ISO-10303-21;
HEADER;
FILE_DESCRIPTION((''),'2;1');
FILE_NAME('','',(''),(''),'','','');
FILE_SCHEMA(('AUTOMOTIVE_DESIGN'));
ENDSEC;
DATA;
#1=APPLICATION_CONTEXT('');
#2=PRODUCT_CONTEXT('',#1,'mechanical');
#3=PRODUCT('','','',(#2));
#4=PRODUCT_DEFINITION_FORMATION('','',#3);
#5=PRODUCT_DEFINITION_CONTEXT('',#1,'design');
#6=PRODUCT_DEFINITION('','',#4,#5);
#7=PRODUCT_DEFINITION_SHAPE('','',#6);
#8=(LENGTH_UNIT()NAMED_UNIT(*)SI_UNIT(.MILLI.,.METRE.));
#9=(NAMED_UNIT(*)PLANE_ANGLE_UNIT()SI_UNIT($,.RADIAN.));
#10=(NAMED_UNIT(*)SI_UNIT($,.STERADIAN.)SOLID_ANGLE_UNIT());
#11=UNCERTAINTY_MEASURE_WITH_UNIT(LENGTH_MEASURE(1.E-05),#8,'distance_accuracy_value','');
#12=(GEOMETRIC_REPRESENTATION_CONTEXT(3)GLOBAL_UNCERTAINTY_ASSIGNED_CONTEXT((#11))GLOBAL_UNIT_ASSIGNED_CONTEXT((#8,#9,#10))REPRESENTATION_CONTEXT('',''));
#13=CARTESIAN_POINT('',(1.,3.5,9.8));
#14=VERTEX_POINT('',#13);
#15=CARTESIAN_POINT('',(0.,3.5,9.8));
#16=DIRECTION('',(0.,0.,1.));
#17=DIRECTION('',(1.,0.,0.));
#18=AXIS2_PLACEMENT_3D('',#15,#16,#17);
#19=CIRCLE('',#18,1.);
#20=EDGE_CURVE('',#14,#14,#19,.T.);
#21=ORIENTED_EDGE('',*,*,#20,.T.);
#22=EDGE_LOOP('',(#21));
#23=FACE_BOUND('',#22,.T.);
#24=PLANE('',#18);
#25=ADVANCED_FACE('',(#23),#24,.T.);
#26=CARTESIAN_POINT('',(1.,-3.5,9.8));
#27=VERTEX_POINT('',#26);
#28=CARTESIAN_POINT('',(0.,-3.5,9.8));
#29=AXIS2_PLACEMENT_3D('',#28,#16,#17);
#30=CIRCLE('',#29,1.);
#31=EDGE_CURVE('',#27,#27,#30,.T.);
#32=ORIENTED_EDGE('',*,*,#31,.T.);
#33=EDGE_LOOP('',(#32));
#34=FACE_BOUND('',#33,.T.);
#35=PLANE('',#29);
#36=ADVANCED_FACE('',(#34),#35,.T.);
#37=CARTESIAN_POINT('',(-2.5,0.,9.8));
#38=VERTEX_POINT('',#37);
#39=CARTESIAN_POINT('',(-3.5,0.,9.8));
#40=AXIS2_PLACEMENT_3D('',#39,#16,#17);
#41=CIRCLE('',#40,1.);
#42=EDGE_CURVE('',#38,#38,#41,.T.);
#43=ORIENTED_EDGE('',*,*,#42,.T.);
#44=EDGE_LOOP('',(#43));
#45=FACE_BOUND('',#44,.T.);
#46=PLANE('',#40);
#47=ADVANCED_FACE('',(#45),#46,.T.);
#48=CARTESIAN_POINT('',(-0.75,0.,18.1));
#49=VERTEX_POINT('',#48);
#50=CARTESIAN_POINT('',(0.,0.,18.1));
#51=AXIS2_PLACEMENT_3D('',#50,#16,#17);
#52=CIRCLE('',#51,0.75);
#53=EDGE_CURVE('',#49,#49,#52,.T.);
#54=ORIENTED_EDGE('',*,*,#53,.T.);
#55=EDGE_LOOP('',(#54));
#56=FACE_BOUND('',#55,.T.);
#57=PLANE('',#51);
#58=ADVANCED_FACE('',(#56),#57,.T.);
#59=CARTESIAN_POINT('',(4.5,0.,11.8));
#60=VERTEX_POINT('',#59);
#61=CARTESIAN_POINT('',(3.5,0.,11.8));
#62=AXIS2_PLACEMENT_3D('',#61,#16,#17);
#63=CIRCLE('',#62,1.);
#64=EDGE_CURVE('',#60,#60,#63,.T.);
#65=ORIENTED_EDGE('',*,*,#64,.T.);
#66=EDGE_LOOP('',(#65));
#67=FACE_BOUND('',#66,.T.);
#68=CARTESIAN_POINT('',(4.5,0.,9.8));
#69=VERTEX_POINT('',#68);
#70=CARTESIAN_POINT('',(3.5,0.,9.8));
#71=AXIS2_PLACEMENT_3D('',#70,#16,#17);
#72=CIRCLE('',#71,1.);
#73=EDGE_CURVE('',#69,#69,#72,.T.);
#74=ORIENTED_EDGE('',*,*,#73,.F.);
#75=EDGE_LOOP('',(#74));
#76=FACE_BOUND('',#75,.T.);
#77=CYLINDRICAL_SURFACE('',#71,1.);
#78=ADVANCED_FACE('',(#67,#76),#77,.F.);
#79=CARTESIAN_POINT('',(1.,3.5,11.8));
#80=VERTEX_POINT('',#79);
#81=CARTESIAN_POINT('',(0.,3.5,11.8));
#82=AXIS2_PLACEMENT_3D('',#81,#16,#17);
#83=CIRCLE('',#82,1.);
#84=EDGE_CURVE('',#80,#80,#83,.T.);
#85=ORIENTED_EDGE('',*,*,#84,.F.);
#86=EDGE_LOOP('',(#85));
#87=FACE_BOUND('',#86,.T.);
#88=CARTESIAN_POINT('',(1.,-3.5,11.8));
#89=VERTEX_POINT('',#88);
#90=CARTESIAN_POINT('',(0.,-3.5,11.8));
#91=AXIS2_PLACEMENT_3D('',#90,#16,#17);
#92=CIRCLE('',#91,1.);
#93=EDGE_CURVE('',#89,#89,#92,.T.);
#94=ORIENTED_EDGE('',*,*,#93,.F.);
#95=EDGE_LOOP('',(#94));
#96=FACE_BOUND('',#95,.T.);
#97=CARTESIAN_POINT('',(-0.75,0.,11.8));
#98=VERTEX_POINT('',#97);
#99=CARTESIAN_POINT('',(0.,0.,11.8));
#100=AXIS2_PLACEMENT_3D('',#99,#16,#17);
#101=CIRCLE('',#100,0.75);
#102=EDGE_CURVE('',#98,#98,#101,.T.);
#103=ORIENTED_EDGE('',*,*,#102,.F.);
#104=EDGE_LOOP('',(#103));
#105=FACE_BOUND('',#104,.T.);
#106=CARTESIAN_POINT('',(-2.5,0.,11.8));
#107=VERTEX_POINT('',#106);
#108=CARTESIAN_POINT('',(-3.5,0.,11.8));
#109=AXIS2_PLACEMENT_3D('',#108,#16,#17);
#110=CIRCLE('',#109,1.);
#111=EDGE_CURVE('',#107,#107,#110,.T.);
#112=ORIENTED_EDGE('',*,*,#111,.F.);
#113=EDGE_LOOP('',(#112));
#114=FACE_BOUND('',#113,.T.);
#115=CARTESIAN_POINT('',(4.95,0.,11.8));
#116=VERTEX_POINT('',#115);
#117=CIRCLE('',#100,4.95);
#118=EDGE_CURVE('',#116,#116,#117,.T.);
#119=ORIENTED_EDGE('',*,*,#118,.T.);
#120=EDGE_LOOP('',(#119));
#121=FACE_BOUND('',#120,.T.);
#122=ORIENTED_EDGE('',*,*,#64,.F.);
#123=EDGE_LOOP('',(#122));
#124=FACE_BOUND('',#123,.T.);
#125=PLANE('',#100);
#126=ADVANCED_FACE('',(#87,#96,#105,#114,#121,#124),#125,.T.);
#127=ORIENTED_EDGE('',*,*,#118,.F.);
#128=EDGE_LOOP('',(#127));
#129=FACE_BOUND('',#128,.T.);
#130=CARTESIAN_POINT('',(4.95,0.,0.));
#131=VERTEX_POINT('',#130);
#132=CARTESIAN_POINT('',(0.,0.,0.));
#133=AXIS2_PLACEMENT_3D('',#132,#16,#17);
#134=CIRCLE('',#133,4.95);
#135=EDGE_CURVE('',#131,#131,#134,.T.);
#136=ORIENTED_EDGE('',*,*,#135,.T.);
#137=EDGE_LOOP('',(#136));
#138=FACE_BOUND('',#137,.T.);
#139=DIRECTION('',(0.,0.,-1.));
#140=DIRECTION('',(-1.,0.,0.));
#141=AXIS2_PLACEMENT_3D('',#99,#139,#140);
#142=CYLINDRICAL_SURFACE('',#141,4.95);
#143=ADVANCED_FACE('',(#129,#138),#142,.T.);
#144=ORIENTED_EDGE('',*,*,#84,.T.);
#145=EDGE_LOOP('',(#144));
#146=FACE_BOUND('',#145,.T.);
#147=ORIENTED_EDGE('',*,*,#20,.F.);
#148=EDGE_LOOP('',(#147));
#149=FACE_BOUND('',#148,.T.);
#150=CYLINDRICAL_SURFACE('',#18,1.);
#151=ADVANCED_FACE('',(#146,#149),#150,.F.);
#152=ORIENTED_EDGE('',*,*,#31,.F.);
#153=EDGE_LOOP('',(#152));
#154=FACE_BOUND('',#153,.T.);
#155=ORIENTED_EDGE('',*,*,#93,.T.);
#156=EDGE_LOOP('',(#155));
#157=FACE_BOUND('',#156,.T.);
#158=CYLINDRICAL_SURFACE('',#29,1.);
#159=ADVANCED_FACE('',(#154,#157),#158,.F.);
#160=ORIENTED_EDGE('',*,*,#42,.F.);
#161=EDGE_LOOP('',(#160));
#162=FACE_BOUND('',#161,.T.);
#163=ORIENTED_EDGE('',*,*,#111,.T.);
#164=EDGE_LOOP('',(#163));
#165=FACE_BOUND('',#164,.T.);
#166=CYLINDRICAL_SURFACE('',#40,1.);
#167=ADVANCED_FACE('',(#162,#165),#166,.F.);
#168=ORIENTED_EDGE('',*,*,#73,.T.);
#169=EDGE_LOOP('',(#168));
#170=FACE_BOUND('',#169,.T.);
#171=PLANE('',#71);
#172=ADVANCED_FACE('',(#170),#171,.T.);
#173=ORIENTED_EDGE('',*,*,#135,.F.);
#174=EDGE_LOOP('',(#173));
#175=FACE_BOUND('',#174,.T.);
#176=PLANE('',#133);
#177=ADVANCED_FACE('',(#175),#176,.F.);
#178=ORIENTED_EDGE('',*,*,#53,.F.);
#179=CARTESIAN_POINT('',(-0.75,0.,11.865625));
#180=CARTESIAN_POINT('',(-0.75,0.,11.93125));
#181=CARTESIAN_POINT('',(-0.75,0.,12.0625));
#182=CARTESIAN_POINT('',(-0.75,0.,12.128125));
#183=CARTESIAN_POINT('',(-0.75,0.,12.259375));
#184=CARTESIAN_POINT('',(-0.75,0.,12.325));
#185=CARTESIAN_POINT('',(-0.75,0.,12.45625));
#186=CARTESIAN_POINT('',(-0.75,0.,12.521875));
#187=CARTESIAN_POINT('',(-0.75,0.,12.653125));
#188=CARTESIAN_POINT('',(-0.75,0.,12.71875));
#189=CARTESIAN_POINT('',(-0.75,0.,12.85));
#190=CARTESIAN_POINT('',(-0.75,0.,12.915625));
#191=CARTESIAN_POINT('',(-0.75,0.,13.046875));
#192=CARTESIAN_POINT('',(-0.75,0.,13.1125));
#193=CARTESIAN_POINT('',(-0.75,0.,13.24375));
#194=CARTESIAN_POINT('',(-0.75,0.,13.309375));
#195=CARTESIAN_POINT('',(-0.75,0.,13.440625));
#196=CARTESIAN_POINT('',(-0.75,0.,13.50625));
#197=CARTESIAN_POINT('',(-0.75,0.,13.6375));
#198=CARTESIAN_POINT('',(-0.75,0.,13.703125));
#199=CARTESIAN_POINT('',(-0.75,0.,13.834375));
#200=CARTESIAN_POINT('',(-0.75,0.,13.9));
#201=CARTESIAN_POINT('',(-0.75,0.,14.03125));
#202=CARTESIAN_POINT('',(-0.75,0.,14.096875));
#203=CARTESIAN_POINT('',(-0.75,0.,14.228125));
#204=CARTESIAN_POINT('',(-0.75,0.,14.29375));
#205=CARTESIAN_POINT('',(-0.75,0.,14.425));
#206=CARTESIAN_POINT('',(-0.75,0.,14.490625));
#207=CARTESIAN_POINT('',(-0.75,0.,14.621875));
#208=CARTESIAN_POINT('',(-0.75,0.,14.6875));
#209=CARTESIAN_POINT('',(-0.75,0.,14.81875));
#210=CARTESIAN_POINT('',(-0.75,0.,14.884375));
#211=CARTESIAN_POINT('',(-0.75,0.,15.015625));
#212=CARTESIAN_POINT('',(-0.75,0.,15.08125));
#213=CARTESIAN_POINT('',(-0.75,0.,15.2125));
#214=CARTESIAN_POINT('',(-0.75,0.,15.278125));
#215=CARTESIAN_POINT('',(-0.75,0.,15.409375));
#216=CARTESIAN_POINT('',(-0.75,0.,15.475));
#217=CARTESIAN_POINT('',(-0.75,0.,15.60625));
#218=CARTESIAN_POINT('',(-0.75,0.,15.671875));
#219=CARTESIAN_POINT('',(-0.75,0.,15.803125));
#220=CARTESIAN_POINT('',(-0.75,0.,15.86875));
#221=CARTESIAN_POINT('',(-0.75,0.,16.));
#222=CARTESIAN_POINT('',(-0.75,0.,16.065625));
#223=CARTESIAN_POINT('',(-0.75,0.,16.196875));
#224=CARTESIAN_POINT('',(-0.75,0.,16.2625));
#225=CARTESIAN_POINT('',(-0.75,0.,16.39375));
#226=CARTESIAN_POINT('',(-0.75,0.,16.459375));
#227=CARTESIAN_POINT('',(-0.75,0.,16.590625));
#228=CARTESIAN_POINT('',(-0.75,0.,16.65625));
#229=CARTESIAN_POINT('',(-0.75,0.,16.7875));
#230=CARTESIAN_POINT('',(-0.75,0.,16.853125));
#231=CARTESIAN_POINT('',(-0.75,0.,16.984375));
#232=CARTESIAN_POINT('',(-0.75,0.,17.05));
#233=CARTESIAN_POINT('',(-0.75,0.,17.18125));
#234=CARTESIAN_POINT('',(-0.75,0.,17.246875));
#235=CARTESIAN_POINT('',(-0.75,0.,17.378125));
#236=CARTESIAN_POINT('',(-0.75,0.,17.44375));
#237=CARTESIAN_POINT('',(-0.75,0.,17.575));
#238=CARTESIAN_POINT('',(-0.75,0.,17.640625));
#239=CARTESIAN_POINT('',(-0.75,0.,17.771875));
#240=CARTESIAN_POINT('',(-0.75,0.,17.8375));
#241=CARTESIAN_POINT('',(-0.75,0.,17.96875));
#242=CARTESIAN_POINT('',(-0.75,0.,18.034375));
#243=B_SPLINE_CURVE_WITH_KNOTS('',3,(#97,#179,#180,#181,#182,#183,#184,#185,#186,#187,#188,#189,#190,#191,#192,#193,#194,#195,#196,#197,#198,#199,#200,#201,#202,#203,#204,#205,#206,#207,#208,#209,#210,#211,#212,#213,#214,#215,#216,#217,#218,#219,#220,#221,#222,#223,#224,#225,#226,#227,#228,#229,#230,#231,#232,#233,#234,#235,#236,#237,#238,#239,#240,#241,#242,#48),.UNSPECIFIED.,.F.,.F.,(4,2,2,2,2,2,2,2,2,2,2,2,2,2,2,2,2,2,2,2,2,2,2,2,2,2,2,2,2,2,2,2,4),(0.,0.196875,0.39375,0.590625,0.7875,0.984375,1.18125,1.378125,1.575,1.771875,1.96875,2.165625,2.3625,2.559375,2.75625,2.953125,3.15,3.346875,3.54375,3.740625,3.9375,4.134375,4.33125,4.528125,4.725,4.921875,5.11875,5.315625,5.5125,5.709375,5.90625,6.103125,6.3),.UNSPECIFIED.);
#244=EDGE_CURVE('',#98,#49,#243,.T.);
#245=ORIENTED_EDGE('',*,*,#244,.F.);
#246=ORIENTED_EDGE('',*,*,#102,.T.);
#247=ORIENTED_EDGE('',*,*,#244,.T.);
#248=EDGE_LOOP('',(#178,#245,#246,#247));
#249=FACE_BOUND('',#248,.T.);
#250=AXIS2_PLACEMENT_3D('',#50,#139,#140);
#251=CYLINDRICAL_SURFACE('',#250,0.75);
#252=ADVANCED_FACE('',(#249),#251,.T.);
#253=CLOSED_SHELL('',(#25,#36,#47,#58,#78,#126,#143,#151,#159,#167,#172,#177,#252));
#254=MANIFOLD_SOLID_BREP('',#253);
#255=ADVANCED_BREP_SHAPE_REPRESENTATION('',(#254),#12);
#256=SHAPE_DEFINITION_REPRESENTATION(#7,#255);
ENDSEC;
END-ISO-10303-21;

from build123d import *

# Parameters (mm, degrees)
SKETCH1_R           = 4.95
SKETCH1_R_2         = 1
SKETCH1_R_3         = 0.75
BOSS_EXTRUDE1_DEPTH = 11.8
SKETCH1_3_R         = 0.75
BOSS_EXTRUDE2_DEPTH = 18.1
CUT_EXTRUDE1_START  = 11.8
SKETCH1_5_R         = 1
CUT_EXTRUDE1_DEPTH  = 2


with BuildPart() as part:
    # Sketch1 → Boss-Extrude1 (new body)
    # profile 1 of 5: a face of its own
    with BuildSketch(Plane.XY):
        Circle(SKETCH1_R)
        with Locations((-3.5, 0)):
            Circle(SKETCH1_R_2, mode=Mode.SUBTRACT)
        with Locations((0, -3.5)):
            Circle(SKETCH1_R_2, mode=Mode.SUBTRACT)
        with Locations((3.5, 0)):
            Circle(SKETCH1_R_2, mode=Mode.SUBTRACT)
        with Locations((0, 3.5)):
            Circle(SKETCH1_R_2, mode=Mode.SUBTRACT)
        Circle(SKETCH1_R_3, mode=Mode.SUBTRACT)
    # profile 2 of 5: a face of its own
    with BuildSketch(Plane.XY):
        with Locations((-3.5, 0)):
            Circle(SKETCH1_R_2)
    # profile 3 of 5: a face of its own
    with BuildSketch(Plane.XY):
        with Locations((0, 3.5)):
            Circle(SKETCH1_R_2)
    # profile 4 of 5: a face of its own
    with BuildSketch(Plane.XY):
        with Locations((3.5, 0)):
            Circle(SKETCH1_R_2)
    # profile 5 of 5: a face of its own
    with BuildSketch(Plane.XY):
        with Locations((0, -3.5)):
            Circle(SKETCH1_R_2)
    extrude(amount=BOSS_EXTRUDE1_DEPTH)

    # Sketch1<3> → Boss-Extrude2 (add)
    with BuildSketch(Plane.XY):
        with Locations(Location((0, 0, 0), (0, 0, 180))):
            Circle(SKETCH1_3_R)
    extrude(amount=BOSS_EXTRUDE2_DEPTH)

    # Sketch1<5> → Cut-Extrude1 (cut)
    with BuildSketch(Plane.XY.offset(CUT_EXTRUDE1_START)):
        with Locations((0, 3.5)):
            Circle(SKETCH1_5_R)
        with Locations((-3.5, 0)):
            Circle(SKETCH1_5_R)
        with Locations((3.5, 0)):
            Circle(SKETCH1_5_R)
        with Locations((0, -3.5)):
            Circle(SKETCH1_5_R)
    extrude(amount=-CUT_EXTRUDE1_DEPTH, mode=Mode.SUBTRACT)


solid = part.part
